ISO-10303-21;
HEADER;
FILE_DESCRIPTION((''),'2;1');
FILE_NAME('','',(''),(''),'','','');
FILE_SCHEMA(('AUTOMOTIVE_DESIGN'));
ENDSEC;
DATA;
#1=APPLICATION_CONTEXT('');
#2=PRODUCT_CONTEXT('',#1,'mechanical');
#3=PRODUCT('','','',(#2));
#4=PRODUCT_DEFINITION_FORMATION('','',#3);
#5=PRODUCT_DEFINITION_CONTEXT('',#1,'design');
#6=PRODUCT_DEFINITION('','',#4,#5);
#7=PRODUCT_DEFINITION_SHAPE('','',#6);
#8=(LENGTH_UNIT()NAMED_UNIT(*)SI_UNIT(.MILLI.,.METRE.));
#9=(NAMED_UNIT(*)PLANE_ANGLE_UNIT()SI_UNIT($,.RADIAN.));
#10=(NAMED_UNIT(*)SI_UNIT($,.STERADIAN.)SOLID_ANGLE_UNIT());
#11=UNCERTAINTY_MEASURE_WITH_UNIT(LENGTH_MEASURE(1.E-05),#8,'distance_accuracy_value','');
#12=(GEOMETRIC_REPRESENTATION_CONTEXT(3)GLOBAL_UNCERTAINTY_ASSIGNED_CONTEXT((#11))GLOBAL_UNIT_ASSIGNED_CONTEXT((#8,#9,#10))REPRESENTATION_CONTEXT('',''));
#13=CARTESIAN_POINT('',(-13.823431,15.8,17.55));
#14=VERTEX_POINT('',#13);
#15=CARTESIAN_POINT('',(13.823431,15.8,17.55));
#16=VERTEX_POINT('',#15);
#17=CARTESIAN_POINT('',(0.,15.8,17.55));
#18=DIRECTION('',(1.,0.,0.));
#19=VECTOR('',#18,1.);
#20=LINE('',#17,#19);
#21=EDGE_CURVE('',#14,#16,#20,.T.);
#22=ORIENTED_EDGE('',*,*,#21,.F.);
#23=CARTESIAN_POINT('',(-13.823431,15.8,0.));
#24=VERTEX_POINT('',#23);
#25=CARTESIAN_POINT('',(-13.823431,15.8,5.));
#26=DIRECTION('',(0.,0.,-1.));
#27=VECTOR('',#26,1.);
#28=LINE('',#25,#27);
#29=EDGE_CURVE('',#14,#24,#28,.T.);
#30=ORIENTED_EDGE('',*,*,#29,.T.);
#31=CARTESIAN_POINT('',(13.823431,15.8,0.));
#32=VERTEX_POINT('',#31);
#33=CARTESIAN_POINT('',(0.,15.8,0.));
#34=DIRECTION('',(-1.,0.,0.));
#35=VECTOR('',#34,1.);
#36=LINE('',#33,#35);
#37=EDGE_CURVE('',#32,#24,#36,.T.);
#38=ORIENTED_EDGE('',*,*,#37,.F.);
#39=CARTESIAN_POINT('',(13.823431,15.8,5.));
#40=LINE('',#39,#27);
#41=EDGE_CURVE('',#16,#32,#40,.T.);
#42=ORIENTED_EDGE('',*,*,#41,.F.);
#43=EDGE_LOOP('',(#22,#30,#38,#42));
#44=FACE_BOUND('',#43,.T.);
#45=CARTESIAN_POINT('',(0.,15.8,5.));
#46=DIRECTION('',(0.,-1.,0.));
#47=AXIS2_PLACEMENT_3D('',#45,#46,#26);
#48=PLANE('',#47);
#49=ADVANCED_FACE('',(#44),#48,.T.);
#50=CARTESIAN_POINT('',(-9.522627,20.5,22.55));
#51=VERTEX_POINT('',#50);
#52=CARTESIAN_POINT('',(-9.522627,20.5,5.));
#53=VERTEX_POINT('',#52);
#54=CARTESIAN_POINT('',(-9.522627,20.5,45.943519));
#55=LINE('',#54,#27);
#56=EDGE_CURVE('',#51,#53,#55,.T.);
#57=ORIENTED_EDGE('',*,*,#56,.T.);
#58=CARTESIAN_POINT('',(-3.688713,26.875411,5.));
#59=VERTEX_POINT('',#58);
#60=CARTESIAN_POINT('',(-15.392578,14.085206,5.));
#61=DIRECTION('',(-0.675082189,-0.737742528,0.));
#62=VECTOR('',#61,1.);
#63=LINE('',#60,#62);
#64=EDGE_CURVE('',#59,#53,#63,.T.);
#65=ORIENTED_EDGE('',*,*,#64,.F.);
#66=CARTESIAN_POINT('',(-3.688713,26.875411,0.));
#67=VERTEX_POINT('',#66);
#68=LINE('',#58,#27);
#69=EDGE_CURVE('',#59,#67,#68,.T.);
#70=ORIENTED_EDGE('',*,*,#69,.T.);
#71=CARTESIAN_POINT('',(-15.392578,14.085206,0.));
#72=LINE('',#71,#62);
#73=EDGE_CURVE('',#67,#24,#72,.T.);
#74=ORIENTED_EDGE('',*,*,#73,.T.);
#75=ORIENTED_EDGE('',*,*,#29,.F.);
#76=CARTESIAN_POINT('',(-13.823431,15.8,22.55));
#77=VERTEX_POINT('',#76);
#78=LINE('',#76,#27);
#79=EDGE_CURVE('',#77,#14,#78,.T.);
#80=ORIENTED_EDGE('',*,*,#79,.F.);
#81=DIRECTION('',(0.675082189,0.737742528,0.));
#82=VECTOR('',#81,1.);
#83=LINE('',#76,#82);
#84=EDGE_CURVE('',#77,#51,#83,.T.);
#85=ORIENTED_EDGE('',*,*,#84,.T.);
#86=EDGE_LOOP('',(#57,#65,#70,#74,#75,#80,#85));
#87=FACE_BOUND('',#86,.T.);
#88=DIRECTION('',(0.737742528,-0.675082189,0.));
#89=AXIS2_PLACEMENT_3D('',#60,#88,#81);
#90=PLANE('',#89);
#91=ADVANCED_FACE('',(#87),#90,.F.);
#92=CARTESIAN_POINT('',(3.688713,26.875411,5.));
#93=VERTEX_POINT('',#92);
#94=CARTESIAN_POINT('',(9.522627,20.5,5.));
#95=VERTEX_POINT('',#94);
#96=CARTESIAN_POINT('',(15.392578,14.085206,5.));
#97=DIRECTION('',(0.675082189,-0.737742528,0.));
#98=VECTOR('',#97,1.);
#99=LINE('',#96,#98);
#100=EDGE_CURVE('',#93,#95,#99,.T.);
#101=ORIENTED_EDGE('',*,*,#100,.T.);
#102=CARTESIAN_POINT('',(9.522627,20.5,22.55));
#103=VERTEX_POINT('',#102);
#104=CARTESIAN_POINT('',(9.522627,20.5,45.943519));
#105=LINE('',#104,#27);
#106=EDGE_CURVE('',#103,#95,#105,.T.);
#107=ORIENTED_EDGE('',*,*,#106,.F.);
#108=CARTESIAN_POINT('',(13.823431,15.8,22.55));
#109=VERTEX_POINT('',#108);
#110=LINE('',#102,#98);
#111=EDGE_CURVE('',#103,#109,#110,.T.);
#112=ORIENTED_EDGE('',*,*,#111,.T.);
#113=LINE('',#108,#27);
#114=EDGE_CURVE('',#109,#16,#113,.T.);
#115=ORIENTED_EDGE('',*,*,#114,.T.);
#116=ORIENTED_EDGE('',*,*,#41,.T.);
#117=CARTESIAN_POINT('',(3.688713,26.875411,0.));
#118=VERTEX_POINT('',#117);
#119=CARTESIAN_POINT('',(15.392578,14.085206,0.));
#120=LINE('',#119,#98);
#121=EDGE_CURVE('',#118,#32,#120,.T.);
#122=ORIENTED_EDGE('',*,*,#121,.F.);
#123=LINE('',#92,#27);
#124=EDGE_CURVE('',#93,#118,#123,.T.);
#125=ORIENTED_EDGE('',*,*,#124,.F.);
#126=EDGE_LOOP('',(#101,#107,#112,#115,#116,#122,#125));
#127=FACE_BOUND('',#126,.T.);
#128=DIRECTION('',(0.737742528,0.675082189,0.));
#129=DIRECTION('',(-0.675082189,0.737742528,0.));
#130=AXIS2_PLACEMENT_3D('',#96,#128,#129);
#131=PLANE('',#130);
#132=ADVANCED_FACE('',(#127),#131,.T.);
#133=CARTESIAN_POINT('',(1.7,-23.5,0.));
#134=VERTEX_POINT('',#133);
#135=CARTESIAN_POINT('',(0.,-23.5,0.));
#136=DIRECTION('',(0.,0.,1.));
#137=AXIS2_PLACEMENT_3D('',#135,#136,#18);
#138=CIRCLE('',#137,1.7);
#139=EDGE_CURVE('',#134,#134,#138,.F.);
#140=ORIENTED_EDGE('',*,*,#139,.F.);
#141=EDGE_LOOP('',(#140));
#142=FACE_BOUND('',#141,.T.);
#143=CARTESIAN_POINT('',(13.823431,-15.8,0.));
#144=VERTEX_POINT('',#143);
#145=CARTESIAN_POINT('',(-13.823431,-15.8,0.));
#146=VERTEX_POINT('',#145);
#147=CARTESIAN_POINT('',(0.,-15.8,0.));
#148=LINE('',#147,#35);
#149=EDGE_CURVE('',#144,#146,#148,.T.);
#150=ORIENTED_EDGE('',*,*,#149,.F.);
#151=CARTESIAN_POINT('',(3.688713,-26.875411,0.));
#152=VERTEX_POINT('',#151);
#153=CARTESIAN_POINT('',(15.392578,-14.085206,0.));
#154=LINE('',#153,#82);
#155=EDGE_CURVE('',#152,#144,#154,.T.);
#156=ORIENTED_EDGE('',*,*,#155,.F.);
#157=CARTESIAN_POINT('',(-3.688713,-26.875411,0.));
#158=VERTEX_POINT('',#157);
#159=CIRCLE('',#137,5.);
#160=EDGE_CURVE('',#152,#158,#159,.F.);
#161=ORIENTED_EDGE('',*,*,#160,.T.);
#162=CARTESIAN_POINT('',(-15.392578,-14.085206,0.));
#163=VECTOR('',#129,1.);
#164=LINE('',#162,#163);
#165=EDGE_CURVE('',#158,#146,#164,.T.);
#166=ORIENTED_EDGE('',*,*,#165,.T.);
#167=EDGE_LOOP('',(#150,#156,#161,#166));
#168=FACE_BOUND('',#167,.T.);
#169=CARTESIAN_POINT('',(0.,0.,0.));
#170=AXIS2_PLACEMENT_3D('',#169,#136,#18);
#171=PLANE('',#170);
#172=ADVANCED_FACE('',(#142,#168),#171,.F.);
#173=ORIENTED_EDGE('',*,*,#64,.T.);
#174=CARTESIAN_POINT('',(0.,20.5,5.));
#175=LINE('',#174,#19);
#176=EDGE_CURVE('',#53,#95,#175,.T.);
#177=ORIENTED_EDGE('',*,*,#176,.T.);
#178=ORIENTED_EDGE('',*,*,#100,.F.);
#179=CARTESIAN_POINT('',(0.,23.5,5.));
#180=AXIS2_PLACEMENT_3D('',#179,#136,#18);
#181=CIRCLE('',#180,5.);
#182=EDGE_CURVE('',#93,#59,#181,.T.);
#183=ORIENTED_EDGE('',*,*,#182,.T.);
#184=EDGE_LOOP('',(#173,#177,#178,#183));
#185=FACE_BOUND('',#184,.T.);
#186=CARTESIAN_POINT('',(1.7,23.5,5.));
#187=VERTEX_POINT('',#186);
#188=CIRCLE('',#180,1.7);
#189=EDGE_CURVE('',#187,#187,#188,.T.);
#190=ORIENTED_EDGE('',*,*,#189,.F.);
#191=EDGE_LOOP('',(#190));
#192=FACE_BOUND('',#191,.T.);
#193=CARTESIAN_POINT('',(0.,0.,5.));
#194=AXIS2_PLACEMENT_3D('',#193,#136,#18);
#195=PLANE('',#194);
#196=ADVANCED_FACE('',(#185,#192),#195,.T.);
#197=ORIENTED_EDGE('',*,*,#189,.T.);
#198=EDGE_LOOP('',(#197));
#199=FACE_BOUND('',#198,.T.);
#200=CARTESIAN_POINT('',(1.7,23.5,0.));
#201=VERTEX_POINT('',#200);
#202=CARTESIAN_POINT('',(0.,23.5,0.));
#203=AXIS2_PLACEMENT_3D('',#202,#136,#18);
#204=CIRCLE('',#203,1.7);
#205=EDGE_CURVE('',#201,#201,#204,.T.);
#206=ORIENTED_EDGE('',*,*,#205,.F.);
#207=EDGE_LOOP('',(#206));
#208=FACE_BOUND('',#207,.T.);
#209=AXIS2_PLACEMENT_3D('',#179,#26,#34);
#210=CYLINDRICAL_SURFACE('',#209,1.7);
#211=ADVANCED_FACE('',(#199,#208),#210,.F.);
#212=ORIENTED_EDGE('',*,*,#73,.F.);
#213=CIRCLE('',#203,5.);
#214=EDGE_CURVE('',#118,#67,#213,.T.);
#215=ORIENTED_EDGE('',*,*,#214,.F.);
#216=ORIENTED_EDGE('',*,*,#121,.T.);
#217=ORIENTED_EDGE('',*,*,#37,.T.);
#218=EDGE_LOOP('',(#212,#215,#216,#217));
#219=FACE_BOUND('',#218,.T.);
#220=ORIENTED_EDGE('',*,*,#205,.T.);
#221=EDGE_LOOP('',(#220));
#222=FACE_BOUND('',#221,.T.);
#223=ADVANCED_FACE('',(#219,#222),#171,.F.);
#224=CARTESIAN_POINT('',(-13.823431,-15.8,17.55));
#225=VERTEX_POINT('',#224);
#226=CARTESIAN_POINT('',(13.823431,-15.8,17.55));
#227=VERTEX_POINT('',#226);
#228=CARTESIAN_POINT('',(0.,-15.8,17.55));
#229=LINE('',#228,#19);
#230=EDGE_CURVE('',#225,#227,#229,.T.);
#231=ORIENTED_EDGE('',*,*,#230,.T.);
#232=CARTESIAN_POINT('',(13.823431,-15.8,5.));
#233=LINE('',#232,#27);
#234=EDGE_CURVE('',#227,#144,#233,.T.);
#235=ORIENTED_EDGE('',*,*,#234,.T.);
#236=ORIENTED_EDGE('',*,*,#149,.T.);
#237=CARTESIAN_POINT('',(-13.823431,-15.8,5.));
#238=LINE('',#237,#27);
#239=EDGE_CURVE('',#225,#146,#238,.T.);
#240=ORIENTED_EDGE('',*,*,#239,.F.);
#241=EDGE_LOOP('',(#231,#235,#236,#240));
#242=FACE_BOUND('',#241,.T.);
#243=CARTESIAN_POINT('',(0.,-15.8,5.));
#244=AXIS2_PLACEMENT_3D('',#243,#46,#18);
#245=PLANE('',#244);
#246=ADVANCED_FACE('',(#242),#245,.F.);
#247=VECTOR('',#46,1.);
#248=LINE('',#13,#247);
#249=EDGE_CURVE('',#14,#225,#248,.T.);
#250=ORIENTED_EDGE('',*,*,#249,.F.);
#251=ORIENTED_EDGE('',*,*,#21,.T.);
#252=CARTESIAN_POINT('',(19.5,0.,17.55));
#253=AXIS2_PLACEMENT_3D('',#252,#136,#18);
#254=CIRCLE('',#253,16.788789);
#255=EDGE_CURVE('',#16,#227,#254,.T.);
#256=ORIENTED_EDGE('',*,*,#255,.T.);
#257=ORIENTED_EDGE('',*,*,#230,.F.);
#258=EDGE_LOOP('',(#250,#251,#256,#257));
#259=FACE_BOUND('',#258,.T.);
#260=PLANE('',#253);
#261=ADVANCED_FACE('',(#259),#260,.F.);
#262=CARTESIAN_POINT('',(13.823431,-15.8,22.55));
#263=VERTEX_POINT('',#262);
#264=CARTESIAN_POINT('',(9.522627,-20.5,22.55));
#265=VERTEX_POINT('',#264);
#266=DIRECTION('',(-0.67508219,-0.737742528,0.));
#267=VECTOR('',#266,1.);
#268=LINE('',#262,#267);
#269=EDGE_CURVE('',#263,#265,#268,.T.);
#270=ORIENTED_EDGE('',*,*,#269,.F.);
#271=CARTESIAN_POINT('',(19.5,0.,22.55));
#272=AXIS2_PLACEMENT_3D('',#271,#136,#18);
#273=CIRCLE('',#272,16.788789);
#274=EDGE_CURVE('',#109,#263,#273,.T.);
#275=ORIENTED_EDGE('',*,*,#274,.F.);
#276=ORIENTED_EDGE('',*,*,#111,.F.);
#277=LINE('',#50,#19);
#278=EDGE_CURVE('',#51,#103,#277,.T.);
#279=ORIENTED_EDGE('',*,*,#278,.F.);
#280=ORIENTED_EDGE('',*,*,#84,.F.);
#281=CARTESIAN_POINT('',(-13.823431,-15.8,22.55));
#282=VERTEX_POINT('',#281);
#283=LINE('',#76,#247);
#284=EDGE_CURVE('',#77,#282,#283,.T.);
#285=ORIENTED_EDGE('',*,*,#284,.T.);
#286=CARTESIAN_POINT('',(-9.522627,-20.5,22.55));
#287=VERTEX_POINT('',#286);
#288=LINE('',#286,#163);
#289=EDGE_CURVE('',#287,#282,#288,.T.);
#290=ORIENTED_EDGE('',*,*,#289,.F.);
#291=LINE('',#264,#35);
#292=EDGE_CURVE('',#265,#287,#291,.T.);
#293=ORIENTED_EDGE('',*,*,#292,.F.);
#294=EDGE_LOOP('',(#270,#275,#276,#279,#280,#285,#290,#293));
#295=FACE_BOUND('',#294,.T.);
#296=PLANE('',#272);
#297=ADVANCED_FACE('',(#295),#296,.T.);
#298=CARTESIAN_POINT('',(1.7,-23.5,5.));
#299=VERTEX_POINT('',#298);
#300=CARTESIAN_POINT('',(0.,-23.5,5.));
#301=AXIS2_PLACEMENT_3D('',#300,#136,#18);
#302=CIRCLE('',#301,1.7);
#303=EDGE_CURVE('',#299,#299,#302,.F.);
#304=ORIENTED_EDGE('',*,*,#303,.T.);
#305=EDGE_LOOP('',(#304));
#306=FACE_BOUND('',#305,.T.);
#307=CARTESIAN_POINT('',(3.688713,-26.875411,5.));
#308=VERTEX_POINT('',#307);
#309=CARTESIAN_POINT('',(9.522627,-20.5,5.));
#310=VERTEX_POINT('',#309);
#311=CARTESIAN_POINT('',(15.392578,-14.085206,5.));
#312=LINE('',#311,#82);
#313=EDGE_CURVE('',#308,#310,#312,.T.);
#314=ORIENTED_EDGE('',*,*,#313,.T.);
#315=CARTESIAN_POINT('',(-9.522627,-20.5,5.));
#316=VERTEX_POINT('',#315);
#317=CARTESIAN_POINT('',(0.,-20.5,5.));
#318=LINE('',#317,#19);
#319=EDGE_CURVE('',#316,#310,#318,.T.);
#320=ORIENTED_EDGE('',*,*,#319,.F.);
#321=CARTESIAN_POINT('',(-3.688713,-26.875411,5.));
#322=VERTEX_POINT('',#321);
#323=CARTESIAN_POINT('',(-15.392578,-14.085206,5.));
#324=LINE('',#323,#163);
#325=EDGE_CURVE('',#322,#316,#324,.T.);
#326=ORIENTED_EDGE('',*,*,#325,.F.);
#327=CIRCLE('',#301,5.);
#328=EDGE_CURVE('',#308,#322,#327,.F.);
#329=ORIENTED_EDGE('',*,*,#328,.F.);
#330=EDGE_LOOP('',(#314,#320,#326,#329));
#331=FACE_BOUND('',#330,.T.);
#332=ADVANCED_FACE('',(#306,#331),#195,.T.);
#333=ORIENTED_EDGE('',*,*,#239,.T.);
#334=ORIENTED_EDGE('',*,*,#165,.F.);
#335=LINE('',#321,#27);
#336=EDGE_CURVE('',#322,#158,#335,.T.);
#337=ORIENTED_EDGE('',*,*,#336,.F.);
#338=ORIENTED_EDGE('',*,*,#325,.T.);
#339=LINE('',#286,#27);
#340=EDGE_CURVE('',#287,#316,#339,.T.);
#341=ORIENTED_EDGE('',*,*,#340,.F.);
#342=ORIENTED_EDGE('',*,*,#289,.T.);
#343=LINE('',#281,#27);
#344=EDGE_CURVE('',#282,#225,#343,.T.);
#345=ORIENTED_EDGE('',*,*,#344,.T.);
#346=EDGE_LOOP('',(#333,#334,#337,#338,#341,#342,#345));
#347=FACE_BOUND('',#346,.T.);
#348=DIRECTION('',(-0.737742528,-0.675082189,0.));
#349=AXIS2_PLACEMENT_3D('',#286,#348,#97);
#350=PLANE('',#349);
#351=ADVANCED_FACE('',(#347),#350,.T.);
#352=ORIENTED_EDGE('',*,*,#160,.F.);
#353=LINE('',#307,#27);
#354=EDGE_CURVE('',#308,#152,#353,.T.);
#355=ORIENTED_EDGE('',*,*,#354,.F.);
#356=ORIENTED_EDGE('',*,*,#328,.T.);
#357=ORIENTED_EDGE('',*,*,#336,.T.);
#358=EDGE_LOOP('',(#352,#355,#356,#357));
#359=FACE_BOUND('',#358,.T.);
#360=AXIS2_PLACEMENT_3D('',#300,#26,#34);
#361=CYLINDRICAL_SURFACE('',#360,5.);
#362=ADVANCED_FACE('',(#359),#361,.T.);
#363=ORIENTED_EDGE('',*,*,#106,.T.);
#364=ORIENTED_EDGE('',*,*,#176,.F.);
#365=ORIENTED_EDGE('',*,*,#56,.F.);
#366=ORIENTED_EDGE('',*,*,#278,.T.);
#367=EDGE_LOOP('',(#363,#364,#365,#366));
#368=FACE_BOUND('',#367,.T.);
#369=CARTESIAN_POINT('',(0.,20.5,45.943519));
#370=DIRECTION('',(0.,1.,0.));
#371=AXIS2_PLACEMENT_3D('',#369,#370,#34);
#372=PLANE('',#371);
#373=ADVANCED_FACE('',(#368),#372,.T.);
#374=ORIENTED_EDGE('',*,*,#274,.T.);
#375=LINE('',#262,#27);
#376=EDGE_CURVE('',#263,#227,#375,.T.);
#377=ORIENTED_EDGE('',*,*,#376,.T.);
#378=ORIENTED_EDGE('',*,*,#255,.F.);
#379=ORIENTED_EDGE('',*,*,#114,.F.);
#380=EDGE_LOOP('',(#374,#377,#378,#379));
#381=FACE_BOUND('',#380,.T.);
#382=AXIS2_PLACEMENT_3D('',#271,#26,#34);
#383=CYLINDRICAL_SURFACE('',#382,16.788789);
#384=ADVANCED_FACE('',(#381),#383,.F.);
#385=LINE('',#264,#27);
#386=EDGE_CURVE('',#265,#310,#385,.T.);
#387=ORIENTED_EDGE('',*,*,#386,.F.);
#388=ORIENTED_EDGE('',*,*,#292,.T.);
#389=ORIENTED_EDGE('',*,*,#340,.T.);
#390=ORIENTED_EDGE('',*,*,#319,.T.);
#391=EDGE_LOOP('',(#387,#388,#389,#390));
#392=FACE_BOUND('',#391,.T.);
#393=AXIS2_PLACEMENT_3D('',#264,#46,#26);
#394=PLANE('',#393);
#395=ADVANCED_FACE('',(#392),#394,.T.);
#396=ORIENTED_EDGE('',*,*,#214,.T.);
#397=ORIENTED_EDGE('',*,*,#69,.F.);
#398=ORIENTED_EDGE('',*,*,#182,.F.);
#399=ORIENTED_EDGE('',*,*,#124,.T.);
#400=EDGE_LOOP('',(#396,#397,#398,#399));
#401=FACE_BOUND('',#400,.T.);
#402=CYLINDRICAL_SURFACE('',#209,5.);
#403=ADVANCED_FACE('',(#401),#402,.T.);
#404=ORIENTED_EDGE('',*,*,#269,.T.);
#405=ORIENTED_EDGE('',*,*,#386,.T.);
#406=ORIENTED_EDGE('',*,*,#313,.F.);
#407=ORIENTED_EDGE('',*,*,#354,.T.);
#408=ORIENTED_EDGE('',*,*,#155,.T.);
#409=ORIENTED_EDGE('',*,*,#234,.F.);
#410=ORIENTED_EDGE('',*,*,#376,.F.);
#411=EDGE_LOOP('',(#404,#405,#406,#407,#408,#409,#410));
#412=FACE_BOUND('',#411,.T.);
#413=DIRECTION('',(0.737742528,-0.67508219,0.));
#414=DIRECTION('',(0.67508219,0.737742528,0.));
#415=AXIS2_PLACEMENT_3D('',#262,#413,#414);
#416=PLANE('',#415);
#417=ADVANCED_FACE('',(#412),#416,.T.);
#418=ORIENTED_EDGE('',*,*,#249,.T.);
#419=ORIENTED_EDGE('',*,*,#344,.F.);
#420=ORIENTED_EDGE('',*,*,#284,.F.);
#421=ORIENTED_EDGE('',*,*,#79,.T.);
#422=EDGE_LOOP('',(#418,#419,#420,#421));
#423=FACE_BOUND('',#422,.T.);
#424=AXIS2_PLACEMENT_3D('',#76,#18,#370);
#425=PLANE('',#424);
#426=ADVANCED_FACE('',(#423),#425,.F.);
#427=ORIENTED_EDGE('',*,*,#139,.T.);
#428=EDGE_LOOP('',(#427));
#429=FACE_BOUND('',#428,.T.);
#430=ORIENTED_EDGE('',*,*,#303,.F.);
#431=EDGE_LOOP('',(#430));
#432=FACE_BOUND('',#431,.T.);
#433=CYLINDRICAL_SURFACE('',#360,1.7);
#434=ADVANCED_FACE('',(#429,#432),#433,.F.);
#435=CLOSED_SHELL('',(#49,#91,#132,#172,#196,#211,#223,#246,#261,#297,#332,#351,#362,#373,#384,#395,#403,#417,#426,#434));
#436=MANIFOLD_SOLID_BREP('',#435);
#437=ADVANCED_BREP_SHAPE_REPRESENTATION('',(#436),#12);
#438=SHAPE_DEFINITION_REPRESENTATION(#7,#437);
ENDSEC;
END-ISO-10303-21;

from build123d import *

# Parameters (mm, degrees)
SKETCH1_R             = 1.7
BOSS_EXTRUDE1_DEPTH   = 5
BOSS_EXTRUDE1_2_DEPTH = 5
BOSS_EXTRUDE2_DEPTH   = 12.55
BOSS_EXTRUDE3_DEPTH   = 5


with BuildPart() as part:
    # Sketch1 → Boss-Extrude1 (new body)
    with BuildSketch(Plane.XY):
        with BuildLine():
            Line((3.688712639, 26.875410947), (13.823430903, 15.8))
            Line((13.823430903, 15.8), (-13.823430903, 15.8))
            Line((-13.823430903, 15.8), (-3.688712639, 26.875410947))
            ThreePointArc((-3.688712639, 26.875410947), (0, 28.5), (3.688712639, 26.875410947))
        make_face()
        with Locations((0, 23.5)):
            Circle(SKETCH1_R, mode=Mode.SUBTRACT)
    extrude(amount=BOSS_EXTRUDE1_DEPTH)



with BuildPart() as body_2:
    # Sketch1 → Boss-Extrude1 2 (new body)
    with BuildSketch(Plane.XY):
        with BuildLine():
            ThreePointArc((3.688712639, -26.875410947), (0, -28.5), (-3.688712639, -26.875410947))
            Line((-3.688712639, -26.875410947), (-13.823430903, -15.8))
            Line((-13.823430903, -15.8), (13.823430903, -15.8))
            Line((13.823430903, -15.8), (3.688712639, -26.875410947))
        make_face()
        with Locations((0, -23.5)):
            Circle(SKETCH1_R, mode=Mode.SUBTRACT)
    extrude(amount=BOSS_EXTRUDE1_2_DEPTH)


with BuildPart() as part_1:
    add(part.part)

    add(body_2.part)  # Boss-Extrude2 merges body 2
    # Sketch2 → Boss-Extrude2 (add)
    with BuildSketch(Plane.XY.offset(5)):
        Polygon((-13.823430903, -15.8), (13.823430903, -15.8), (9.52262653, -20.5), (-9.52262653, -20.5), align=None)
        Polygon((-9.52262653, 20.5), (-13.823430903, 15.8), (13.823430903, 15.8), (9.52262653, 20.5), align=None)
    extrude(amount=BOSS_EXTRUDE2_DEPTH)

    # Sketch3 → Boss-Extrude3 (add)
    with BuildSketch(Plane.XY.offset(17.55)):
        with BuildLine():
            Line((-13.823430903, 15.8), (-13.823430903, -15.8))
            Line((-13.823430903, -15.8), (-9.52262653, -20.5))
            Line((-9.52262653, -20.5), (9.52262653, -20.5))
            Line((9.52262653, -20.5), (13.823430905, -15.8))
            ThreePointArc((13.823430905, -15.8), (2.711210982, -1e-09), (13.823430903, 15.8))
            Line((13.823430903, 15.8), (9.52262653, 20.5))
            Line((9.52262653, 20.5), (-9.52262653, 20.5))
            Line((-9.52262653, 20.5), (-13.823430903, 15.8))
        make_face()
    extrude(amount=BOSS_EXTRUDE3_DEPTH)


solid = part_1.part
